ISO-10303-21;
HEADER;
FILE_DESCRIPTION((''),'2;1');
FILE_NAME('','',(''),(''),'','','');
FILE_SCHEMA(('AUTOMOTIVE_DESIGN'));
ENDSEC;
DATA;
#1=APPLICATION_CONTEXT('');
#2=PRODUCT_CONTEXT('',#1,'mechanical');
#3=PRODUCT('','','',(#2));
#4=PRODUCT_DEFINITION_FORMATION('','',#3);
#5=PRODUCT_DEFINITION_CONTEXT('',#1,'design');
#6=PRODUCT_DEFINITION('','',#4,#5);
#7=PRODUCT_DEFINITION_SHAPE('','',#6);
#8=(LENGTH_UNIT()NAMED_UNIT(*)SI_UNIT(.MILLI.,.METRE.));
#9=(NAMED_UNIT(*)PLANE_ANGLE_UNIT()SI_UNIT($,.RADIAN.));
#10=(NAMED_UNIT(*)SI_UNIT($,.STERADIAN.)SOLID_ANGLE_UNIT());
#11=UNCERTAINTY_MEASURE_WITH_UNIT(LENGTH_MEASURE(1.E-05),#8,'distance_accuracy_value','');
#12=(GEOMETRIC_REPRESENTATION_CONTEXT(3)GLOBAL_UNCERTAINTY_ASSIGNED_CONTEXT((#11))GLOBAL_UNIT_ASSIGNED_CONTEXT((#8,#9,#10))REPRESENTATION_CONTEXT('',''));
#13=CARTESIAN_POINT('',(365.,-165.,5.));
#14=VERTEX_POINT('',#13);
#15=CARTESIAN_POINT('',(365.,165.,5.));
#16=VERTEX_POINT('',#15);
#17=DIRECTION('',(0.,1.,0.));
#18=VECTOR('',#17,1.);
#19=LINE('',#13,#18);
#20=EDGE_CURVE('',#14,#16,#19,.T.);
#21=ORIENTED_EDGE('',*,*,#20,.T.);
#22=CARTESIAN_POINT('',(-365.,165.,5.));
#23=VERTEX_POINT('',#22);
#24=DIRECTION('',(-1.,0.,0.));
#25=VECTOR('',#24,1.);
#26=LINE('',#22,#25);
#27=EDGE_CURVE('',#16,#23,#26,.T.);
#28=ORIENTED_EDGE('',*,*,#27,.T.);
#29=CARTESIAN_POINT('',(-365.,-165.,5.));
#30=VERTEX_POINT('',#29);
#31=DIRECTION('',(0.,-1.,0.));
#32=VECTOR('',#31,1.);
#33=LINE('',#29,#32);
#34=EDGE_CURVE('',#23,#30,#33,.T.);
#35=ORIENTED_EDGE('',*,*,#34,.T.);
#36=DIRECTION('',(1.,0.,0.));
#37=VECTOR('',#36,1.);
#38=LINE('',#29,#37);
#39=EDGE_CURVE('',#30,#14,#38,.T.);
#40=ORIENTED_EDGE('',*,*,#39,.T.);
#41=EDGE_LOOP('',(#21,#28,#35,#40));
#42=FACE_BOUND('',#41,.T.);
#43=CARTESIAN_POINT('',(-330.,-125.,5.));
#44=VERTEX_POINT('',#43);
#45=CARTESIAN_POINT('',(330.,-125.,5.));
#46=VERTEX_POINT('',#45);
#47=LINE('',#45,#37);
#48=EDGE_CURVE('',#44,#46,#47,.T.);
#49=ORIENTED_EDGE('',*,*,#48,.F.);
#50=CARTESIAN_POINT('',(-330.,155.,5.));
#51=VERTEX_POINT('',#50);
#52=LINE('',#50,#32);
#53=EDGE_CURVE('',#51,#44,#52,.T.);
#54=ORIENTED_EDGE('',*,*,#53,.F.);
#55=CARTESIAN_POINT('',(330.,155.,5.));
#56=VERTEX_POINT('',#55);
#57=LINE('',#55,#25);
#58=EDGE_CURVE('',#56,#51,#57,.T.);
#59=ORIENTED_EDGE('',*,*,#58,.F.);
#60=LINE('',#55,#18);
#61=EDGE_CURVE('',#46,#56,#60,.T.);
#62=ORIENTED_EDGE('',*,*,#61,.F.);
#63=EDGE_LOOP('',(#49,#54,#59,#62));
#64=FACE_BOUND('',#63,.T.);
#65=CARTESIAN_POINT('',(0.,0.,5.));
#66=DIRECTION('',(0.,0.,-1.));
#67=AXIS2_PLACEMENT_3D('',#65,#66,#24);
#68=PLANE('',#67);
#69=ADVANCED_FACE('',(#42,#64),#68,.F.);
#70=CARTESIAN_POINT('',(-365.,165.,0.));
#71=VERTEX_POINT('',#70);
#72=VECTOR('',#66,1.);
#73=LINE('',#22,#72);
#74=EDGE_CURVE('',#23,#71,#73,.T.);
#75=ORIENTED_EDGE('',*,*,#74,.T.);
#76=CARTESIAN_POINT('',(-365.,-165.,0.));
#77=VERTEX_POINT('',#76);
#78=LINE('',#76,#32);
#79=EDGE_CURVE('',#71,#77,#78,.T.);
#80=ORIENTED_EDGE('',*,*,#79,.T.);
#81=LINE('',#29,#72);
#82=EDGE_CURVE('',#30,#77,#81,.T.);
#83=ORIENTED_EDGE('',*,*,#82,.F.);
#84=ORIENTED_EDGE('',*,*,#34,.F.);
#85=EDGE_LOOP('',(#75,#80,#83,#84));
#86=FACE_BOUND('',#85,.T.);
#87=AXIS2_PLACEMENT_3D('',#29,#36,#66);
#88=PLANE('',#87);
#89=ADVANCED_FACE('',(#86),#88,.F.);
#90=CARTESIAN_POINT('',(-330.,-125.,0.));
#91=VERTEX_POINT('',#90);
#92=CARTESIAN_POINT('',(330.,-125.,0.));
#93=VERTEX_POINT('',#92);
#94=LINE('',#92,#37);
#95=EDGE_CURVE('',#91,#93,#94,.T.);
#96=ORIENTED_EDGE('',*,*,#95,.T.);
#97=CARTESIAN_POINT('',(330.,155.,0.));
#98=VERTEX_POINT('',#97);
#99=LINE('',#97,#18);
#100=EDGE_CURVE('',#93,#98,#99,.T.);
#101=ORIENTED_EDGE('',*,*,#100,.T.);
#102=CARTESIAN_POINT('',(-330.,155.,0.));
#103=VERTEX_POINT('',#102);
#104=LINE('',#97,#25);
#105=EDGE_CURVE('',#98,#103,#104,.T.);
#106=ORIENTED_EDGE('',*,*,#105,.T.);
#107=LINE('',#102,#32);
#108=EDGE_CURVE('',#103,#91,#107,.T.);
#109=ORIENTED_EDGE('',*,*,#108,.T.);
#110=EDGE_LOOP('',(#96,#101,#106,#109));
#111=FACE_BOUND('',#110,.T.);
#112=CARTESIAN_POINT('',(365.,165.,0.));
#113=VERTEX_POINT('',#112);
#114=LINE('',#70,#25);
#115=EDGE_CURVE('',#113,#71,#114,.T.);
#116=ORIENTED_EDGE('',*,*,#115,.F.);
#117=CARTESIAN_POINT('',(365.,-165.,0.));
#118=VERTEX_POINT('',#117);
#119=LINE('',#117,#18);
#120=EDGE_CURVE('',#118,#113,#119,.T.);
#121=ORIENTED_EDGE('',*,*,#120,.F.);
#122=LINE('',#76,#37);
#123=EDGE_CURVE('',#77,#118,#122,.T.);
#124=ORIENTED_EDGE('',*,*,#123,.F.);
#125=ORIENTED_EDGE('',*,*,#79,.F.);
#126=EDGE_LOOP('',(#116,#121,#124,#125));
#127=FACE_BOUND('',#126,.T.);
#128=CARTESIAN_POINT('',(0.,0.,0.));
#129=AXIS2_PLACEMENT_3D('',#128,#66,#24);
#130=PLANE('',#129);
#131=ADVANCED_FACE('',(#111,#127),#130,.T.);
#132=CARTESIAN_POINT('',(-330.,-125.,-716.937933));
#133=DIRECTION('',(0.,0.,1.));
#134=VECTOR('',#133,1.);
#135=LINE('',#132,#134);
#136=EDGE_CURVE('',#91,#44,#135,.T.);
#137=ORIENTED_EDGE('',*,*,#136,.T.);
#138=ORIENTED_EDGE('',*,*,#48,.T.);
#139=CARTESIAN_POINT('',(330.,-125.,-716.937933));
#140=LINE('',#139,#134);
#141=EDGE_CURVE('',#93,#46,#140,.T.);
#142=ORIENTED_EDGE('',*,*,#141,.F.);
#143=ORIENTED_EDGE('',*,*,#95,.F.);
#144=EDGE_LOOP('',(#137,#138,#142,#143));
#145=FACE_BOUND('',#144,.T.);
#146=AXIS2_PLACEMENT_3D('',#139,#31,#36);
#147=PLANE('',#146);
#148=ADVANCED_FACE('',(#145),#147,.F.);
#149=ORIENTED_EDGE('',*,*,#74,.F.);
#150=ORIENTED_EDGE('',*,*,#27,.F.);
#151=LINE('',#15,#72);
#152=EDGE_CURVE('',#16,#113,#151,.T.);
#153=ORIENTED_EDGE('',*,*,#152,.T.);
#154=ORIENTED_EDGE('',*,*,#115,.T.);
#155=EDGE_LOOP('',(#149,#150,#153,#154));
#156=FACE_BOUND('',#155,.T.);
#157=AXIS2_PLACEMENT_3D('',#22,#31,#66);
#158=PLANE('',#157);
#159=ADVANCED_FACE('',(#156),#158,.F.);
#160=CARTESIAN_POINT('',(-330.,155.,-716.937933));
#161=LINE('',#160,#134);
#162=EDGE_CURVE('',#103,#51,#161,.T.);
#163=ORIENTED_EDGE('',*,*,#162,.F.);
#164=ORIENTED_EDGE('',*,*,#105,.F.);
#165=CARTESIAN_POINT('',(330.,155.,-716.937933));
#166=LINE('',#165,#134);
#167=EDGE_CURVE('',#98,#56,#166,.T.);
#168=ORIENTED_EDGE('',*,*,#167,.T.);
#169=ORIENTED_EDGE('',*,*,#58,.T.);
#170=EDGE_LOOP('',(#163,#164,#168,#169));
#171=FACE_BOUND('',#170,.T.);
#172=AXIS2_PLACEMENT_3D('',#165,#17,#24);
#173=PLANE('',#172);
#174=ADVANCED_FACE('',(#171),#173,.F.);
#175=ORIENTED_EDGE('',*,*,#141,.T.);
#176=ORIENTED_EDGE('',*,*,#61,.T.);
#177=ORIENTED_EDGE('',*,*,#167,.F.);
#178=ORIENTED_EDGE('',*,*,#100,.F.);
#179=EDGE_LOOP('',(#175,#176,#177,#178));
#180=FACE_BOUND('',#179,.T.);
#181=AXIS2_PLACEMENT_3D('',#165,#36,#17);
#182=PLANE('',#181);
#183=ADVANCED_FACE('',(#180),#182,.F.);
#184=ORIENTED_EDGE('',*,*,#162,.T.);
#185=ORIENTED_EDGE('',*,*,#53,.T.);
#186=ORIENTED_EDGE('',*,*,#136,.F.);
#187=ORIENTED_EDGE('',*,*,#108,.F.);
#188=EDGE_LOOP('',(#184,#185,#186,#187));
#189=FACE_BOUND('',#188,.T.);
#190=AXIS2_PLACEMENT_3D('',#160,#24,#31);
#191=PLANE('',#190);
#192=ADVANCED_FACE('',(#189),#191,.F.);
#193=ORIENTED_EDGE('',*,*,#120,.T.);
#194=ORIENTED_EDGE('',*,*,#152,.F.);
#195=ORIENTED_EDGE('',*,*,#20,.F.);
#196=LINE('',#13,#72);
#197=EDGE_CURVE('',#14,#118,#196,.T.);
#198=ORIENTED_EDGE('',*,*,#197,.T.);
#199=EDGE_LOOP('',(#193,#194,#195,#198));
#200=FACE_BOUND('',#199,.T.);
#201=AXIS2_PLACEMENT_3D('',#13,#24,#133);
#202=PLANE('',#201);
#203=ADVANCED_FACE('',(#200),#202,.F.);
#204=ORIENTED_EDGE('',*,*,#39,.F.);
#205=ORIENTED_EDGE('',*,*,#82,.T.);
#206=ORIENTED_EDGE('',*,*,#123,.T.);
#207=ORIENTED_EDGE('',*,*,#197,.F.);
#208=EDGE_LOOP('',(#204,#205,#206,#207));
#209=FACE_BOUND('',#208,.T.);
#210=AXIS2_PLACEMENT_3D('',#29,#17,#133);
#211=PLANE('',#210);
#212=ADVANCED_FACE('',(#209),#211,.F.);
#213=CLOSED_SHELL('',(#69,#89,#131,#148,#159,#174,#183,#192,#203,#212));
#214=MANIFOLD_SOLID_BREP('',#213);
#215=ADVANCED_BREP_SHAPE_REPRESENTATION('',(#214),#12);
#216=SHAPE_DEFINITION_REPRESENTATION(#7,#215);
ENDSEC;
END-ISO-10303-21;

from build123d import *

# Parameters (mm, degrees)
CROQUIS2_W              = 730
CROQUIS2_H              = 330
SALIENTE_EXTRUIR2_DEPTH = 5
CROQUIS4_W              = 660
CROQUIS4_H              = 280
CORTAR_EXTRUIR1_DEPTH   = 5


with BuildPart() as part:
    # Croquis2 → Saliente-Extruir2 (new body)
    with BuildSketch(Plane.XY):
        Rectangle(CROQUIS2_W, CROQUIS2_H)
    extrude(amount=SALIENTE_EXTRUIR2_DEPTH)

    # Croquis4 → Cortar-Extruir1 (cut)
    with BuildSketch(Plane.XY.offset(5)):
        with Locations((0, 15)):
            Rectangle(CROQUIS4_W, CROQUIS4_H)
    extrude(amount=-CORTAR_EXTRUIR1_DEPTH, mode=Mode.SUBTRACT)


solid = part.part
